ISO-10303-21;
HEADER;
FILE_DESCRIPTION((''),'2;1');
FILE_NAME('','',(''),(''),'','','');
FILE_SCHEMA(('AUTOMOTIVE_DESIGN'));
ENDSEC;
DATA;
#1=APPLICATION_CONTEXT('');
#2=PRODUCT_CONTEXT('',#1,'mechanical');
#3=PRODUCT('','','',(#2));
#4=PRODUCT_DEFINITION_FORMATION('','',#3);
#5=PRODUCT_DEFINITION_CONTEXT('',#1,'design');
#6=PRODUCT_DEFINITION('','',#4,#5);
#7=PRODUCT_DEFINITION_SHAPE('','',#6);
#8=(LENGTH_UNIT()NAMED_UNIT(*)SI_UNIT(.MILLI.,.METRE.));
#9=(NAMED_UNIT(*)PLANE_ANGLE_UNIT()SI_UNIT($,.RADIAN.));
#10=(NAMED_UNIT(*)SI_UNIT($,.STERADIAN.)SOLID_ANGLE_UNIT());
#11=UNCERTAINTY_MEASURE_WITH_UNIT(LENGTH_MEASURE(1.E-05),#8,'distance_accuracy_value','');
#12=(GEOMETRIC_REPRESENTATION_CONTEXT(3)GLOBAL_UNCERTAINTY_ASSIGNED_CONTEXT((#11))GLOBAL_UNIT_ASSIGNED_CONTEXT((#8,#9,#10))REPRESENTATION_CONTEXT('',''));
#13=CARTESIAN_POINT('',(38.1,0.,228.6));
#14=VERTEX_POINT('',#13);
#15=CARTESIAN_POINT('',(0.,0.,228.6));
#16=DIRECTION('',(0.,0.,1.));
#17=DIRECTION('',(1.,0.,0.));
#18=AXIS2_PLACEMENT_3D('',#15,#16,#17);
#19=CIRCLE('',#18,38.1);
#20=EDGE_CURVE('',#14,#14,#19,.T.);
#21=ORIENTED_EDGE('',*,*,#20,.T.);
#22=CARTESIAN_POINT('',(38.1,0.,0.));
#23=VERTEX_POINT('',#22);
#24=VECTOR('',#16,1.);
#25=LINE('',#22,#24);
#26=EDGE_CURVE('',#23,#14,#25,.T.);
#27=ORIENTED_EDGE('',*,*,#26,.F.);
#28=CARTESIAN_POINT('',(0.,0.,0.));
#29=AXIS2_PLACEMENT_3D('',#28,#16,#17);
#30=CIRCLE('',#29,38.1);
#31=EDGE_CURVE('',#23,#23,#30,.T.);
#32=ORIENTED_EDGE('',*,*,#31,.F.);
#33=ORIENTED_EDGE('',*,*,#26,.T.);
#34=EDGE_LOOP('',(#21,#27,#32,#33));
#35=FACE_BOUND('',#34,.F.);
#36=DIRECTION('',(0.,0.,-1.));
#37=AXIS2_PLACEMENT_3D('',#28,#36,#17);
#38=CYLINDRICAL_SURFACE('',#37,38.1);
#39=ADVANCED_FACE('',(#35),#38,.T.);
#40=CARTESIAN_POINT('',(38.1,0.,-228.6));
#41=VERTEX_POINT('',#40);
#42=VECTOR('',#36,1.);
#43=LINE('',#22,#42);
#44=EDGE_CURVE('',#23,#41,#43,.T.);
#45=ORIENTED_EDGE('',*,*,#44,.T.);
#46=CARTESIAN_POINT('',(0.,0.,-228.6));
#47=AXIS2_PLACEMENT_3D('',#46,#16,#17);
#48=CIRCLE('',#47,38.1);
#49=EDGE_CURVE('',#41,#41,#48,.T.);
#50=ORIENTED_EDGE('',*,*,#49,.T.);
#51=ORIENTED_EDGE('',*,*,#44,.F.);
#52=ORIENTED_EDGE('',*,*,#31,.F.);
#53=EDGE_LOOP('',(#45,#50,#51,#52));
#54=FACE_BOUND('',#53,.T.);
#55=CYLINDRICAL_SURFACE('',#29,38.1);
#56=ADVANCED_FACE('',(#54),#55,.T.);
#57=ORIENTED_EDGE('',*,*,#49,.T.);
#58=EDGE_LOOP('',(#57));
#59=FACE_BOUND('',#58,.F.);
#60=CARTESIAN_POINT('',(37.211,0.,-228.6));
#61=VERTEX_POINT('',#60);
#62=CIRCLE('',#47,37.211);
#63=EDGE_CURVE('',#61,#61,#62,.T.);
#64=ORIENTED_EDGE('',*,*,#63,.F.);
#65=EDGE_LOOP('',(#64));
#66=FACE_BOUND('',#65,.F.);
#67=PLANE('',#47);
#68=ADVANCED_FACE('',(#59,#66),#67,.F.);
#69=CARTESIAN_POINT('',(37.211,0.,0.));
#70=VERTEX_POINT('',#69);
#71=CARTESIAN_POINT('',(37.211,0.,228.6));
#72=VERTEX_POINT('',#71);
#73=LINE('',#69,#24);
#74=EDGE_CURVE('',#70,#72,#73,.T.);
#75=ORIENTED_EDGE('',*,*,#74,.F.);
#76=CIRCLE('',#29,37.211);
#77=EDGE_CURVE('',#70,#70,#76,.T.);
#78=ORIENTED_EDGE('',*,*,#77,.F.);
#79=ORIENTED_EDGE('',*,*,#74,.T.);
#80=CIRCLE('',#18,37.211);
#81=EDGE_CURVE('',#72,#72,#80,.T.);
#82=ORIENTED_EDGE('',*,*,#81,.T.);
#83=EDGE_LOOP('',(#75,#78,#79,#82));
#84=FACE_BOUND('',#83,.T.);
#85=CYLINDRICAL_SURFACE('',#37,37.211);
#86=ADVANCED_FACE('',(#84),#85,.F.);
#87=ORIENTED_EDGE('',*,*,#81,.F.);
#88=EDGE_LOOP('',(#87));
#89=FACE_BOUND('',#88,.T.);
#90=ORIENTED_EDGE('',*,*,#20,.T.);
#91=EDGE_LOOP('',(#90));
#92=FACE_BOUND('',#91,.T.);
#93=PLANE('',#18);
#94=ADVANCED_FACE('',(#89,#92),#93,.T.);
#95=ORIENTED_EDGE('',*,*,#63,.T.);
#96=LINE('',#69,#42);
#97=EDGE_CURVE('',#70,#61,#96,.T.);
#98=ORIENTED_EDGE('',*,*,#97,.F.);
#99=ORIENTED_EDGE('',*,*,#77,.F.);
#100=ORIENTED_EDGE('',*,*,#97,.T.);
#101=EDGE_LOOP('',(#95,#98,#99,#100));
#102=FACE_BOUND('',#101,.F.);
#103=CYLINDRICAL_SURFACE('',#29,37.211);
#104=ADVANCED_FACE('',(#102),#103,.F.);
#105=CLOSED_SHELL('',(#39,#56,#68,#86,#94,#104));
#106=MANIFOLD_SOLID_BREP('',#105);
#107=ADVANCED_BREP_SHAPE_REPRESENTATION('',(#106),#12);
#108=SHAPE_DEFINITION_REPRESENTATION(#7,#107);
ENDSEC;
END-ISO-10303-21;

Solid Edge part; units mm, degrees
sketch "Sketch1" plane through (0, 0, 0) normal (0, 0, 1) x (1, 0, 0)
  circle A0 centre (0, 0) radius 37.211
  circle A1 centre (0, 0) radius 38.1
  dimension "D1" = 76.2
  dimension "D2" = 74.422
extrude "Protrusion1" add sketch "Sketch1" along normal mid plane 457.2
